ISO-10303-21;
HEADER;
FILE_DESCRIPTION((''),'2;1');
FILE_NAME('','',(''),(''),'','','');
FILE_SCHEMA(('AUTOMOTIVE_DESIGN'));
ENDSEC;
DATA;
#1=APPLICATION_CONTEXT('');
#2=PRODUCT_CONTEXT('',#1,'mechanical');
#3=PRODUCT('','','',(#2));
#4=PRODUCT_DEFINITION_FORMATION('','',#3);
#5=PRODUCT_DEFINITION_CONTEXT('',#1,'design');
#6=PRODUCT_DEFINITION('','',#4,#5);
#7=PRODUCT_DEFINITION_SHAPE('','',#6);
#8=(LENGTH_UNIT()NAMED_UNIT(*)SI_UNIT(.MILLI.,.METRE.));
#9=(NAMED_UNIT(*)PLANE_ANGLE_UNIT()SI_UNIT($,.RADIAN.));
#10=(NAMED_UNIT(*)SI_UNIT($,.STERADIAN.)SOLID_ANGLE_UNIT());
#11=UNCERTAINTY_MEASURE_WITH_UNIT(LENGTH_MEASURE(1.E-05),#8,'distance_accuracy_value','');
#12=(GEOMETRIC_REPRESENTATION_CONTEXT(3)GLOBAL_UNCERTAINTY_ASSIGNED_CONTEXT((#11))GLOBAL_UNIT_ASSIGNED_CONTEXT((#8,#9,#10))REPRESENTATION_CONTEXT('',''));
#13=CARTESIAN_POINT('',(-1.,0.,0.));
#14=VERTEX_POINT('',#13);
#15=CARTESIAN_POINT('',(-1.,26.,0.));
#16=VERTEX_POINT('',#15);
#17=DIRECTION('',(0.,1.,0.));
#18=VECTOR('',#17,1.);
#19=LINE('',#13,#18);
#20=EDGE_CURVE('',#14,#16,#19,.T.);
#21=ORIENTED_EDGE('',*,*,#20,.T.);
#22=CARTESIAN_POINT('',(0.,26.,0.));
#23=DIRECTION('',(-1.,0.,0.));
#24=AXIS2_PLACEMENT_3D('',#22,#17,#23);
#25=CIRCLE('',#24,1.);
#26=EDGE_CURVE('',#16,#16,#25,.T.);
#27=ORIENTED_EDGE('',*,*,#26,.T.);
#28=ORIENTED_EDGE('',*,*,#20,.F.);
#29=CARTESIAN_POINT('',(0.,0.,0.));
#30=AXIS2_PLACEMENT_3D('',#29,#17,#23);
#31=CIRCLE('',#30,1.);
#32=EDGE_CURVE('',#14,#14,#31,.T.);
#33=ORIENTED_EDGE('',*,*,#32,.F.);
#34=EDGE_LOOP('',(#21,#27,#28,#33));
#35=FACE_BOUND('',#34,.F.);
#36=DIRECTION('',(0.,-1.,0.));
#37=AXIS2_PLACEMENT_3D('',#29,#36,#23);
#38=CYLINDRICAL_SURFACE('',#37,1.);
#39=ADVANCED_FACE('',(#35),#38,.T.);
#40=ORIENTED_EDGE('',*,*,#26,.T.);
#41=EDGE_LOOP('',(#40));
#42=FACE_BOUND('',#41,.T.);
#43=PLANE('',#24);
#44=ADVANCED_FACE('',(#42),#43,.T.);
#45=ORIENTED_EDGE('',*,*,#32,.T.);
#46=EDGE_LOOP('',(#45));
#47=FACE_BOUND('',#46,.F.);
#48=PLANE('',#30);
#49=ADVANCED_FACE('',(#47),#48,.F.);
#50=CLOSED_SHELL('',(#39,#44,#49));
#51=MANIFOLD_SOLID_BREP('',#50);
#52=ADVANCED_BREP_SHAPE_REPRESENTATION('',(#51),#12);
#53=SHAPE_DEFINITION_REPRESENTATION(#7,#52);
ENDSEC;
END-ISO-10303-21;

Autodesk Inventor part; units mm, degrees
ref_plane "YZ Plane" through (0, 0, 0) normal (1, 0, 0) x (0, 1, 0)
ref_plane "XZ Plane" through (0, 0, 0) normal (0, 1, 0) x (-1, 0, 0)
ref_plane "XY Plane" through (0, 0, 0) normal (0, 0, 1) x (1, 0, 0)
sketch "Sketch1" plane through (0, 0, 0) normal (0, 1, 0) x (-1, 0, 0)
  circle A0 centre (0, 0) radius 1
  dimension "d0" = 2
extrude "Extrusion1" add sketch "Sketch1" along normal blind 26
properties part number "LaserBeamCenter3"
